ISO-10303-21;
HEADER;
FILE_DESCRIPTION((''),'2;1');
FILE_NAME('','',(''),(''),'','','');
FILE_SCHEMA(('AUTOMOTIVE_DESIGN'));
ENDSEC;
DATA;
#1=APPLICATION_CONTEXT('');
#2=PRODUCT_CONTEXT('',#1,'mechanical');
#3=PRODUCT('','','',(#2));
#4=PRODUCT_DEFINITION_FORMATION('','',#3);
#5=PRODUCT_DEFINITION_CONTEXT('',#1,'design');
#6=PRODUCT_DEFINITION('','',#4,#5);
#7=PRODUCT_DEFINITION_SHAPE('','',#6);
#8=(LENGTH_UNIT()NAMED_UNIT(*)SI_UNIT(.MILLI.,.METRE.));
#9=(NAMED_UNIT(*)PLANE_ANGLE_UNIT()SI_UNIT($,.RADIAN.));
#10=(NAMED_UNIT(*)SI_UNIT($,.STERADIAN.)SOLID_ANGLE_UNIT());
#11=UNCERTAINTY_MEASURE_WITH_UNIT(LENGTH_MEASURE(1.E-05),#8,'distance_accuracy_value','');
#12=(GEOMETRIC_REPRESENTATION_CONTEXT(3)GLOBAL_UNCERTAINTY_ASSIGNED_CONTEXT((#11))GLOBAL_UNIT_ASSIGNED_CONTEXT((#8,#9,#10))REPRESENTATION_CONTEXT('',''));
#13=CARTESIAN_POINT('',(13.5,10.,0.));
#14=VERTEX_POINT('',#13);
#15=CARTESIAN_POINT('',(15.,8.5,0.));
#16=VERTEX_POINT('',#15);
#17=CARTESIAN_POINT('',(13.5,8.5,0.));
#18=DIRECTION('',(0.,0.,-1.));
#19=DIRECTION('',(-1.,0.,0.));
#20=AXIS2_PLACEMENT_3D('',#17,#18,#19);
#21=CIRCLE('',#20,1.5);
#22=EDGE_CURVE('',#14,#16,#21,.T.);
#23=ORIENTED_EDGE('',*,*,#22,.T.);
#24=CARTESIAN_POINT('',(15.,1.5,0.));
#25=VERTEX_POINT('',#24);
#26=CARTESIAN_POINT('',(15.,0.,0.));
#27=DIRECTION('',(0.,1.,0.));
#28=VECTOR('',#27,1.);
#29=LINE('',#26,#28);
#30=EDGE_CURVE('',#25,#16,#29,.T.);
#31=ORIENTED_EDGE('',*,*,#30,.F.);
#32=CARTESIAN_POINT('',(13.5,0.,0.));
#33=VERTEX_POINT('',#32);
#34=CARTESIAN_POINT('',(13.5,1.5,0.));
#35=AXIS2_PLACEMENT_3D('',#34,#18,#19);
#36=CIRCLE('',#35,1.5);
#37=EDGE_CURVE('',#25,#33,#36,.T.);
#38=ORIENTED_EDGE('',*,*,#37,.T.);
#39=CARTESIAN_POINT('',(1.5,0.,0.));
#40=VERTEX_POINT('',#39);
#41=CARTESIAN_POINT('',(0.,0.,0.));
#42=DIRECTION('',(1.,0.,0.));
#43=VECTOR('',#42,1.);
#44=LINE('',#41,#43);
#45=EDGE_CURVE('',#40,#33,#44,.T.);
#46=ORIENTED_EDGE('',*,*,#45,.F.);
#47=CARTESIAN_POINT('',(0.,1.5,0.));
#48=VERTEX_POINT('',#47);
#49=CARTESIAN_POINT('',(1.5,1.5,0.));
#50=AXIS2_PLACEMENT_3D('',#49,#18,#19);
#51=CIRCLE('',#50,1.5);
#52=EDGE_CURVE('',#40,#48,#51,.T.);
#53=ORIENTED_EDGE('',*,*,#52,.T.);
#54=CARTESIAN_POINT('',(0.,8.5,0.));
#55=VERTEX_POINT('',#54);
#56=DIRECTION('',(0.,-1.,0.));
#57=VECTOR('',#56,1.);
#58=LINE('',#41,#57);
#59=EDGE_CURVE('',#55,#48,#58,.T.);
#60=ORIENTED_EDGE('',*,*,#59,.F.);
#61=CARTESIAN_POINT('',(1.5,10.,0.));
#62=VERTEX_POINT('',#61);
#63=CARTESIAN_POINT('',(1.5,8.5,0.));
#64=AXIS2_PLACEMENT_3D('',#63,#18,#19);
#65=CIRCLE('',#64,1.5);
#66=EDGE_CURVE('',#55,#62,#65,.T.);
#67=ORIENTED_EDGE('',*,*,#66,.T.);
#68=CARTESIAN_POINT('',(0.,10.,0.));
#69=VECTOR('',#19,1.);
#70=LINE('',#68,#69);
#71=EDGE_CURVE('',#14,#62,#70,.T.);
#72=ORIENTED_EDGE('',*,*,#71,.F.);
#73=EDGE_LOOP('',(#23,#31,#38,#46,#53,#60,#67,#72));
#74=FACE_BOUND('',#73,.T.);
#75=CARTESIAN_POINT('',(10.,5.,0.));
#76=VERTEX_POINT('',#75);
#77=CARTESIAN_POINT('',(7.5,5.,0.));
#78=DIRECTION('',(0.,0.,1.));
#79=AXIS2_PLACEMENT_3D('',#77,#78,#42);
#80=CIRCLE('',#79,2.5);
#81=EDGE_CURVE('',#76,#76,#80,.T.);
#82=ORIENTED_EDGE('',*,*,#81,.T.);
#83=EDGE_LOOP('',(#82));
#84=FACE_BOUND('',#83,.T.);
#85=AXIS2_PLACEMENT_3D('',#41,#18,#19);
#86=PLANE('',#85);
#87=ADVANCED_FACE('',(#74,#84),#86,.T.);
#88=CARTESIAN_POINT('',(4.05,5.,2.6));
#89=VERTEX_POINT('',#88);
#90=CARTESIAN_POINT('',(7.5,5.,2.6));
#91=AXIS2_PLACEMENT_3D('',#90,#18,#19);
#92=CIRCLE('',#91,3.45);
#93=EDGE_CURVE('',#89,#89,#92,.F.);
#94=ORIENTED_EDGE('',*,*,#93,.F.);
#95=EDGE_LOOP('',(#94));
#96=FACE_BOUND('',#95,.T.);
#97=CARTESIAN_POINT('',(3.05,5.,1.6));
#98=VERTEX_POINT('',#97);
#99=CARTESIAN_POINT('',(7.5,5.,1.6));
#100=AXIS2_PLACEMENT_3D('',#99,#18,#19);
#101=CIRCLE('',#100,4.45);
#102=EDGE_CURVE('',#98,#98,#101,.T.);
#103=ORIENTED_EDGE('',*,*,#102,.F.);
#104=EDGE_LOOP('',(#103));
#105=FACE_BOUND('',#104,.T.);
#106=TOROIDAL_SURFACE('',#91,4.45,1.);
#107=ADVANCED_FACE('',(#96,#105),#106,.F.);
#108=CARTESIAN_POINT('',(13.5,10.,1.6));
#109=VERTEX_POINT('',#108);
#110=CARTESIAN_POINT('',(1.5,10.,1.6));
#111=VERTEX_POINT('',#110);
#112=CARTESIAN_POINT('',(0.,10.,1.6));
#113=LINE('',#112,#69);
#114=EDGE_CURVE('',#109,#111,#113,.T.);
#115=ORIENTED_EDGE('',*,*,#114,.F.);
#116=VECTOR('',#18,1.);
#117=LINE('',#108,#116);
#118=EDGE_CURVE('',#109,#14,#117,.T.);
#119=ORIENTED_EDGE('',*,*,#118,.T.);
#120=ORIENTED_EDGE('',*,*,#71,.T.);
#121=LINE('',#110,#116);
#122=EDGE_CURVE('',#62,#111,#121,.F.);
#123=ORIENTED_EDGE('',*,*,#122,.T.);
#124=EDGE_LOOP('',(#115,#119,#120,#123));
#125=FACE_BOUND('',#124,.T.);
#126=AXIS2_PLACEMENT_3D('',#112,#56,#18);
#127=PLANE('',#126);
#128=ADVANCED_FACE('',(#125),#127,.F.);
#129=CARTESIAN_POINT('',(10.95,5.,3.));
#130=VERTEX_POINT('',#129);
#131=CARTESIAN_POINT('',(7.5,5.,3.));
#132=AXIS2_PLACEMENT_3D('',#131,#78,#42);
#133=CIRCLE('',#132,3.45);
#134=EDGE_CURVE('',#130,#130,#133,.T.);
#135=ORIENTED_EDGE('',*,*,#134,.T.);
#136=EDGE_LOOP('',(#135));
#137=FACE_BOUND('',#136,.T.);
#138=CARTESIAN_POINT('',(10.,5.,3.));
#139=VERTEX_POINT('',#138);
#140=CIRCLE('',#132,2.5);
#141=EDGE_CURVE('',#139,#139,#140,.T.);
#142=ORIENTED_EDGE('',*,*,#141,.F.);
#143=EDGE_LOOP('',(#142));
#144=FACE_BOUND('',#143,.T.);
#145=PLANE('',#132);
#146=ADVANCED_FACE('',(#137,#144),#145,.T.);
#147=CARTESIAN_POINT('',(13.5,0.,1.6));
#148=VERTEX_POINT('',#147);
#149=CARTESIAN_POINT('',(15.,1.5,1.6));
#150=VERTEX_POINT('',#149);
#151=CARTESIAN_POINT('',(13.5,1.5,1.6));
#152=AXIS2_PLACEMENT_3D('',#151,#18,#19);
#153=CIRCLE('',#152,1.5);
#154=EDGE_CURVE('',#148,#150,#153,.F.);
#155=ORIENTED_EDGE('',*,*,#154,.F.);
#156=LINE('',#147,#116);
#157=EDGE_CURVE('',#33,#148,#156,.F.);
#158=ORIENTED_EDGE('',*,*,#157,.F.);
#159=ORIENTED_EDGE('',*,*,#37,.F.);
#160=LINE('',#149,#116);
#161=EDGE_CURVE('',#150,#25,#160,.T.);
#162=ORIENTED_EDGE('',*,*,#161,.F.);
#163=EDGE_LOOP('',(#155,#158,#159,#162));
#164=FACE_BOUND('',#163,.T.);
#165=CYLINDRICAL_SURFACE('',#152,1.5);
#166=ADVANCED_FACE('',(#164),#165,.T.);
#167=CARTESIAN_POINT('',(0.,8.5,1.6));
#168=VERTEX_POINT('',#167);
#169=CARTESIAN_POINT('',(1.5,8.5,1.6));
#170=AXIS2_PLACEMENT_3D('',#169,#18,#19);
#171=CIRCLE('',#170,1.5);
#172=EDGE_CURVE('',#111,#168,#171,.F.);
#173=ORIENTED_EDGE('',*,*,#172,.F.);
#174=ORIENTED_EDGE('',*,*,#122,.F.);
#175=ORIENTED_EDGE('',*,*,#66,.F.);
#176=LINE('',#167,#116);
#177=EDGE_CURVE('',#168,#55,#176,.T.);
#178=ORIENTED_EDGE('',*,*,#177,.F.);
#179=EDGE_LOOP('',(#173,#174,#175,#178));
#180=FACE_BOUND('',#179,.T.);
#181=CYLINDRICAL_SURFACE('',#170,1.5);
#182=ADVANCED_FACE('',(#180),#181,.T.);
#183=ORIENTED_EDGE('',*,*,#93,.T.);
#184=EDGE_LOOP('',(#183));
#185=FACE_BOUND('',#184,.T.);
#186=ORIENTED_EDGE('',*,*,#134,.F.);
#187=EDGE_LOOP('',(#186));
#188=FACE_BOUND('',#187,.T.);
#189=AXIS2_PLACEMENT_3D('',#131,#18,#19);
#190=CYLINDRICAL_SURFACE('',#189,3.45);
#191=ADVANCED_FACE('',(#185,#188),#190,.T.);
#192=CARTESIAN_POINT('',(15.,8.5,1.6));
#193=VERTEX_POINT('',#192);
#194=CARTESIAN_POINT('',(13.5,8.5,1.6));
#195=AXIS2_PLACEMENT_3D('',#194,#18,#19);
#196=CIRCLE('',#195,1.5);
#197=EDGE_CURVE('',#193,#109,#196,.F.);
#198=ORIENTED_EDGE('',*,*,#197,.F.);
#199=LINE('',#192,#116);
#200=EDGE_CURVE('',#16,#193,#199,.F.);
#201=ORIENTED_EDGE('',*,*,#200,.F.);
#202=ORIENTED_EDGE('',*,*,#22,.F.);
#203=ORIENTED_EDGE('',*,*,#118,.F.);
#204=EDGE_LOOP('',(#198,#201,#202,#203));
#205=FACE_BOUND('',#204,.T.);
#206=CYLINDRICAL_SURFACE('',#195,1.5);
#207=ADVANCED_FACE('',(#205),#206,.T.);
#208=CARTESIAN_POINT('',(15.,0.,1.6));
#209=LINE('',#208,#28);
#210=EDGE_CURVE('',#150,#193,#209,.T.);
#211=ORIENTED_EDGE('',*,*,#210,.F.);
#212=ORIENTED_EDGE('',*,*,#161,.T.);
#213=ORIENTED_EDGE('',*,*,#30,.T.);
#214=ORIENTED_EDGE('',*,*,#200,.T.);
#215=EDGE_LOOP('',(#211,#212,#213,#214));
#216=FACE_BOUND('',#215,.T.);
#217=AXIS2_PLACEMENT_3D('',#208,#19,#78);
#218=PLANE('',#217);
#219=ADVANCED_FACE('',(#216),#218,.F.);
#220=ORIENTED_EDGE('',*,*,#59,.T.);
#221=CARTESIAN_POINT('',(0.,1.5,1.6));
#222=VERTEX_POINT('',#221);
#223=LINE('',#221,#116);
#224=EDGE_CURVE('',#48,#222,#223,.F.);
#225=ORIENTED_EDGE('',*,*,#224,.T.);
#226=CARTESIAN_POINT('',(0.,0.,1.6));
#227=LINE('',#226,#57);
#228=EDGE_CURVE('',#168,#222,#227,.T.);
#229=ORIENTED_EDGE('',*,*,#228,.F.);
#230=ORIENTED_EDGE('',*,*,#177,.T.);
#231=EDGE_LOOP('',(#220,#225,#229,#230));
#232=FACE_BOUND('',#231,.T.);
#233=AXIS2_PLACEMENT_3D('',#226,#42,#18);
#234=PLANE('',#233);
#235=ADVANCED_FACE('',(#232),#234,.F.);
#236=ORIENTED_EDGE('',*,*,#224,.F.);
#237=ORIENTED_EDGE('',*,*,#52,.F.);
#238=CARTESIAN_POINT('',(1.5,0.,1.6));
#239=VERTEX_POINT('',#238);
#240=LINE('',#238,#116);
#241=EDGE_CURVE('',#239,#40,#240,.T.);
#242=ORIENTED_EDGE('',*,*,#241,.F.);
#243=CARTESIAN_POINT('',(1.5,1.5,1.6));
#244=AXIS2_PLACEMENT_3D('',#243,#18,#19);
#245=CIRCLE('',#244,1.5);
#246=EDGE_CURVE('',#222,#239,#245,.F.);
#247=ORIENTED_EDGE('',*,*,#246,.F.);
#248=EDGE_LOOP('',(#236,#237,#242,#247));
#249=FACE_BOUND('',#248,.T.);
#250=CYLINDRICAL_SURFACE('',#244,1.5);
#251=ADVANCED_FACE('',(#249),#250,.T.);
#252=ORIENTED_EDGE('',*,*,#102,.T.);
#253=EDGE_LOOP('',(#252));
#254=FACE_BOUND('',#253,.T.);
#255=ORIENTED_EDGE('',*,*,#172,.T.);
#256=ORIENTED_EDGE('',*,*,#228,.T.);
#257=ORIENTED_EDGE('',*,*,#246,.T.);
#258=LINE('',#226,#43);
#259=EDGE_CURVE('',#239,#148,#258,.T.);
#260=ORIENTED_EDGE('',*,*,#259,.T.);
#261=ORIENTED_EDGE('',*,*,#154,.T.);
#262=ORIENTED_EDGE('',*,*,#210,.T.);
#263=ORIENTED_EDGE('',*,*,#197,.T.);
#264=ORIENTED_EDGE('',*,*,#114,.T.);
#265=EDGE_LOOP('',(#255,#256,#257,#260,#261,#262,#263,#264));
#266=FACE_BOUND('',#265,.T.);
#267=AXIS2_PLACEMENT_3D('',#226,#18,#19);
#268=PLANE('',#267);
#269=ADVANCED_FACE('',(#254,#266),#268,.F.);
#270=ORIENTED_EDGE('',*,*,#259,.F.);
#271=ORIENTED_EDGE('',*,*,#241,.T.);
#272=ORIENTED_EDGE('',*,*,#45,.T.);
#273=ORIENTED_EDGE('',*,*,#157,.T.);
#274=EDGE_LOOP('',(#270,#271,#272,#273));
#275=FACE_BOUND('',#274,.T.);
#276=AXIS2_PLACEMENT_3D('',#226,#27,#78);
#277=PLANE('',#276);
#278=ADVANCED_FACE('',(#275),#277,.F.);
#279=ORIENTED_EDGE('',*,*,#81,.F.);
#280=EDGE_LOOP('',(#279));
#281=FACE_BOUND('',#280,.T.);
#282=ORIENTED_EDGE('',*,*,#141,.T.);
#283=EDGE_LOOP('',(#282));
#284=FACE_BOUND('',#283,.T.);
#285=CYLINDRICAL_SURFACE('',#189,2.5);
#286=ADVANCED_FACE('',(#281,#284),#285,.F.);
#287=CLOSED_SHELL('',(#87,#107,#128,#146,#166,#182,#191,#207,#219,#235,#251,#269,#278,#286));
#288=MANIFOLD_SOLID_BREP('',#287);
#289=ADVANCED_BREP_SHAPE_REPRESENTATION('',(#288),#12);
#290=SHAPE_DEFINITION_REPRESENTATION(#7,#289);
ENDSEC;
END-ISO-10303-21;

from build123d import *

# Parameters (mm, degrees)
SKETCH1_W               = 15
SKETCH1_H               = 10
BOSS_EXTRUDE1_DEPTH     = 1.6
FILLET1_R               = 1.5
SKETCH2_R               = 3.45
BOSS_EXTRUDE2_DEPTH     = 1.4
CUT_EXTRUDE1_DEPTH      = 1.4
CUT_EXTRUDE1_DEPTH_BACK = 1.6
SKETCH2_3_R             = 2.5
FILLET2_R               = 1


with BuildPart() as part:
    # Sketch1 → Boss-Extrude1 (new body)
    with BuildSketch(Plane.XY):
        with Locations((7.5, 5)):
            Rectangle(SKETCH1_W, SKETCH1_H)
    extrude(amount=BOSS_EXTRUDE1_DEPTH)

    # Fillet1
    fillet1_edges = [part.edges().sort_by_distance(p)[0] for p in [
        (15, 0, 0.8),
        (0, 0, 0.8),
        (0, 10, 0.8),
        (15, 10, 0.8),
    ]]
    fillet(fillet1_edges, radius=FILLET1_R)

    # Sketch2 → Boss-Extrude2 (add)
    with BuildSketch(Plane.XY.offset(1.6)):
        with Locations((7.5, 5)):
            Circle(SKETCH2_R)
    extrude(amount=BOSS_EXTRUDE2_DEPTH)

    # Sketch2<3> → Cut-Extrude1 (cut, two sides: drawn at the far end of the back side and taken through both)
    with BuildSketch(Plane.XY.offset(1.6).offset(-CUT_EXTRUDE1_DEPTH_BACK)):
        with Locations((7.5, 5)):
            Circle(SKETCH2_3_R)
    extrude(amount=CUT_EXTRUDE1_DEPTH + CUT_EXTRUDE1_DEPTH_BACK, mode=Mode.SUBTRACT)

    # Fillet2
    fillet2_edges = [part.edges().sort_by_distance(p)[0] for p in [
        (4.05, 5, 1.6),
    ]]
    fillet(fillet2_edges, radius=FILLET2_R)


solid = part.part
